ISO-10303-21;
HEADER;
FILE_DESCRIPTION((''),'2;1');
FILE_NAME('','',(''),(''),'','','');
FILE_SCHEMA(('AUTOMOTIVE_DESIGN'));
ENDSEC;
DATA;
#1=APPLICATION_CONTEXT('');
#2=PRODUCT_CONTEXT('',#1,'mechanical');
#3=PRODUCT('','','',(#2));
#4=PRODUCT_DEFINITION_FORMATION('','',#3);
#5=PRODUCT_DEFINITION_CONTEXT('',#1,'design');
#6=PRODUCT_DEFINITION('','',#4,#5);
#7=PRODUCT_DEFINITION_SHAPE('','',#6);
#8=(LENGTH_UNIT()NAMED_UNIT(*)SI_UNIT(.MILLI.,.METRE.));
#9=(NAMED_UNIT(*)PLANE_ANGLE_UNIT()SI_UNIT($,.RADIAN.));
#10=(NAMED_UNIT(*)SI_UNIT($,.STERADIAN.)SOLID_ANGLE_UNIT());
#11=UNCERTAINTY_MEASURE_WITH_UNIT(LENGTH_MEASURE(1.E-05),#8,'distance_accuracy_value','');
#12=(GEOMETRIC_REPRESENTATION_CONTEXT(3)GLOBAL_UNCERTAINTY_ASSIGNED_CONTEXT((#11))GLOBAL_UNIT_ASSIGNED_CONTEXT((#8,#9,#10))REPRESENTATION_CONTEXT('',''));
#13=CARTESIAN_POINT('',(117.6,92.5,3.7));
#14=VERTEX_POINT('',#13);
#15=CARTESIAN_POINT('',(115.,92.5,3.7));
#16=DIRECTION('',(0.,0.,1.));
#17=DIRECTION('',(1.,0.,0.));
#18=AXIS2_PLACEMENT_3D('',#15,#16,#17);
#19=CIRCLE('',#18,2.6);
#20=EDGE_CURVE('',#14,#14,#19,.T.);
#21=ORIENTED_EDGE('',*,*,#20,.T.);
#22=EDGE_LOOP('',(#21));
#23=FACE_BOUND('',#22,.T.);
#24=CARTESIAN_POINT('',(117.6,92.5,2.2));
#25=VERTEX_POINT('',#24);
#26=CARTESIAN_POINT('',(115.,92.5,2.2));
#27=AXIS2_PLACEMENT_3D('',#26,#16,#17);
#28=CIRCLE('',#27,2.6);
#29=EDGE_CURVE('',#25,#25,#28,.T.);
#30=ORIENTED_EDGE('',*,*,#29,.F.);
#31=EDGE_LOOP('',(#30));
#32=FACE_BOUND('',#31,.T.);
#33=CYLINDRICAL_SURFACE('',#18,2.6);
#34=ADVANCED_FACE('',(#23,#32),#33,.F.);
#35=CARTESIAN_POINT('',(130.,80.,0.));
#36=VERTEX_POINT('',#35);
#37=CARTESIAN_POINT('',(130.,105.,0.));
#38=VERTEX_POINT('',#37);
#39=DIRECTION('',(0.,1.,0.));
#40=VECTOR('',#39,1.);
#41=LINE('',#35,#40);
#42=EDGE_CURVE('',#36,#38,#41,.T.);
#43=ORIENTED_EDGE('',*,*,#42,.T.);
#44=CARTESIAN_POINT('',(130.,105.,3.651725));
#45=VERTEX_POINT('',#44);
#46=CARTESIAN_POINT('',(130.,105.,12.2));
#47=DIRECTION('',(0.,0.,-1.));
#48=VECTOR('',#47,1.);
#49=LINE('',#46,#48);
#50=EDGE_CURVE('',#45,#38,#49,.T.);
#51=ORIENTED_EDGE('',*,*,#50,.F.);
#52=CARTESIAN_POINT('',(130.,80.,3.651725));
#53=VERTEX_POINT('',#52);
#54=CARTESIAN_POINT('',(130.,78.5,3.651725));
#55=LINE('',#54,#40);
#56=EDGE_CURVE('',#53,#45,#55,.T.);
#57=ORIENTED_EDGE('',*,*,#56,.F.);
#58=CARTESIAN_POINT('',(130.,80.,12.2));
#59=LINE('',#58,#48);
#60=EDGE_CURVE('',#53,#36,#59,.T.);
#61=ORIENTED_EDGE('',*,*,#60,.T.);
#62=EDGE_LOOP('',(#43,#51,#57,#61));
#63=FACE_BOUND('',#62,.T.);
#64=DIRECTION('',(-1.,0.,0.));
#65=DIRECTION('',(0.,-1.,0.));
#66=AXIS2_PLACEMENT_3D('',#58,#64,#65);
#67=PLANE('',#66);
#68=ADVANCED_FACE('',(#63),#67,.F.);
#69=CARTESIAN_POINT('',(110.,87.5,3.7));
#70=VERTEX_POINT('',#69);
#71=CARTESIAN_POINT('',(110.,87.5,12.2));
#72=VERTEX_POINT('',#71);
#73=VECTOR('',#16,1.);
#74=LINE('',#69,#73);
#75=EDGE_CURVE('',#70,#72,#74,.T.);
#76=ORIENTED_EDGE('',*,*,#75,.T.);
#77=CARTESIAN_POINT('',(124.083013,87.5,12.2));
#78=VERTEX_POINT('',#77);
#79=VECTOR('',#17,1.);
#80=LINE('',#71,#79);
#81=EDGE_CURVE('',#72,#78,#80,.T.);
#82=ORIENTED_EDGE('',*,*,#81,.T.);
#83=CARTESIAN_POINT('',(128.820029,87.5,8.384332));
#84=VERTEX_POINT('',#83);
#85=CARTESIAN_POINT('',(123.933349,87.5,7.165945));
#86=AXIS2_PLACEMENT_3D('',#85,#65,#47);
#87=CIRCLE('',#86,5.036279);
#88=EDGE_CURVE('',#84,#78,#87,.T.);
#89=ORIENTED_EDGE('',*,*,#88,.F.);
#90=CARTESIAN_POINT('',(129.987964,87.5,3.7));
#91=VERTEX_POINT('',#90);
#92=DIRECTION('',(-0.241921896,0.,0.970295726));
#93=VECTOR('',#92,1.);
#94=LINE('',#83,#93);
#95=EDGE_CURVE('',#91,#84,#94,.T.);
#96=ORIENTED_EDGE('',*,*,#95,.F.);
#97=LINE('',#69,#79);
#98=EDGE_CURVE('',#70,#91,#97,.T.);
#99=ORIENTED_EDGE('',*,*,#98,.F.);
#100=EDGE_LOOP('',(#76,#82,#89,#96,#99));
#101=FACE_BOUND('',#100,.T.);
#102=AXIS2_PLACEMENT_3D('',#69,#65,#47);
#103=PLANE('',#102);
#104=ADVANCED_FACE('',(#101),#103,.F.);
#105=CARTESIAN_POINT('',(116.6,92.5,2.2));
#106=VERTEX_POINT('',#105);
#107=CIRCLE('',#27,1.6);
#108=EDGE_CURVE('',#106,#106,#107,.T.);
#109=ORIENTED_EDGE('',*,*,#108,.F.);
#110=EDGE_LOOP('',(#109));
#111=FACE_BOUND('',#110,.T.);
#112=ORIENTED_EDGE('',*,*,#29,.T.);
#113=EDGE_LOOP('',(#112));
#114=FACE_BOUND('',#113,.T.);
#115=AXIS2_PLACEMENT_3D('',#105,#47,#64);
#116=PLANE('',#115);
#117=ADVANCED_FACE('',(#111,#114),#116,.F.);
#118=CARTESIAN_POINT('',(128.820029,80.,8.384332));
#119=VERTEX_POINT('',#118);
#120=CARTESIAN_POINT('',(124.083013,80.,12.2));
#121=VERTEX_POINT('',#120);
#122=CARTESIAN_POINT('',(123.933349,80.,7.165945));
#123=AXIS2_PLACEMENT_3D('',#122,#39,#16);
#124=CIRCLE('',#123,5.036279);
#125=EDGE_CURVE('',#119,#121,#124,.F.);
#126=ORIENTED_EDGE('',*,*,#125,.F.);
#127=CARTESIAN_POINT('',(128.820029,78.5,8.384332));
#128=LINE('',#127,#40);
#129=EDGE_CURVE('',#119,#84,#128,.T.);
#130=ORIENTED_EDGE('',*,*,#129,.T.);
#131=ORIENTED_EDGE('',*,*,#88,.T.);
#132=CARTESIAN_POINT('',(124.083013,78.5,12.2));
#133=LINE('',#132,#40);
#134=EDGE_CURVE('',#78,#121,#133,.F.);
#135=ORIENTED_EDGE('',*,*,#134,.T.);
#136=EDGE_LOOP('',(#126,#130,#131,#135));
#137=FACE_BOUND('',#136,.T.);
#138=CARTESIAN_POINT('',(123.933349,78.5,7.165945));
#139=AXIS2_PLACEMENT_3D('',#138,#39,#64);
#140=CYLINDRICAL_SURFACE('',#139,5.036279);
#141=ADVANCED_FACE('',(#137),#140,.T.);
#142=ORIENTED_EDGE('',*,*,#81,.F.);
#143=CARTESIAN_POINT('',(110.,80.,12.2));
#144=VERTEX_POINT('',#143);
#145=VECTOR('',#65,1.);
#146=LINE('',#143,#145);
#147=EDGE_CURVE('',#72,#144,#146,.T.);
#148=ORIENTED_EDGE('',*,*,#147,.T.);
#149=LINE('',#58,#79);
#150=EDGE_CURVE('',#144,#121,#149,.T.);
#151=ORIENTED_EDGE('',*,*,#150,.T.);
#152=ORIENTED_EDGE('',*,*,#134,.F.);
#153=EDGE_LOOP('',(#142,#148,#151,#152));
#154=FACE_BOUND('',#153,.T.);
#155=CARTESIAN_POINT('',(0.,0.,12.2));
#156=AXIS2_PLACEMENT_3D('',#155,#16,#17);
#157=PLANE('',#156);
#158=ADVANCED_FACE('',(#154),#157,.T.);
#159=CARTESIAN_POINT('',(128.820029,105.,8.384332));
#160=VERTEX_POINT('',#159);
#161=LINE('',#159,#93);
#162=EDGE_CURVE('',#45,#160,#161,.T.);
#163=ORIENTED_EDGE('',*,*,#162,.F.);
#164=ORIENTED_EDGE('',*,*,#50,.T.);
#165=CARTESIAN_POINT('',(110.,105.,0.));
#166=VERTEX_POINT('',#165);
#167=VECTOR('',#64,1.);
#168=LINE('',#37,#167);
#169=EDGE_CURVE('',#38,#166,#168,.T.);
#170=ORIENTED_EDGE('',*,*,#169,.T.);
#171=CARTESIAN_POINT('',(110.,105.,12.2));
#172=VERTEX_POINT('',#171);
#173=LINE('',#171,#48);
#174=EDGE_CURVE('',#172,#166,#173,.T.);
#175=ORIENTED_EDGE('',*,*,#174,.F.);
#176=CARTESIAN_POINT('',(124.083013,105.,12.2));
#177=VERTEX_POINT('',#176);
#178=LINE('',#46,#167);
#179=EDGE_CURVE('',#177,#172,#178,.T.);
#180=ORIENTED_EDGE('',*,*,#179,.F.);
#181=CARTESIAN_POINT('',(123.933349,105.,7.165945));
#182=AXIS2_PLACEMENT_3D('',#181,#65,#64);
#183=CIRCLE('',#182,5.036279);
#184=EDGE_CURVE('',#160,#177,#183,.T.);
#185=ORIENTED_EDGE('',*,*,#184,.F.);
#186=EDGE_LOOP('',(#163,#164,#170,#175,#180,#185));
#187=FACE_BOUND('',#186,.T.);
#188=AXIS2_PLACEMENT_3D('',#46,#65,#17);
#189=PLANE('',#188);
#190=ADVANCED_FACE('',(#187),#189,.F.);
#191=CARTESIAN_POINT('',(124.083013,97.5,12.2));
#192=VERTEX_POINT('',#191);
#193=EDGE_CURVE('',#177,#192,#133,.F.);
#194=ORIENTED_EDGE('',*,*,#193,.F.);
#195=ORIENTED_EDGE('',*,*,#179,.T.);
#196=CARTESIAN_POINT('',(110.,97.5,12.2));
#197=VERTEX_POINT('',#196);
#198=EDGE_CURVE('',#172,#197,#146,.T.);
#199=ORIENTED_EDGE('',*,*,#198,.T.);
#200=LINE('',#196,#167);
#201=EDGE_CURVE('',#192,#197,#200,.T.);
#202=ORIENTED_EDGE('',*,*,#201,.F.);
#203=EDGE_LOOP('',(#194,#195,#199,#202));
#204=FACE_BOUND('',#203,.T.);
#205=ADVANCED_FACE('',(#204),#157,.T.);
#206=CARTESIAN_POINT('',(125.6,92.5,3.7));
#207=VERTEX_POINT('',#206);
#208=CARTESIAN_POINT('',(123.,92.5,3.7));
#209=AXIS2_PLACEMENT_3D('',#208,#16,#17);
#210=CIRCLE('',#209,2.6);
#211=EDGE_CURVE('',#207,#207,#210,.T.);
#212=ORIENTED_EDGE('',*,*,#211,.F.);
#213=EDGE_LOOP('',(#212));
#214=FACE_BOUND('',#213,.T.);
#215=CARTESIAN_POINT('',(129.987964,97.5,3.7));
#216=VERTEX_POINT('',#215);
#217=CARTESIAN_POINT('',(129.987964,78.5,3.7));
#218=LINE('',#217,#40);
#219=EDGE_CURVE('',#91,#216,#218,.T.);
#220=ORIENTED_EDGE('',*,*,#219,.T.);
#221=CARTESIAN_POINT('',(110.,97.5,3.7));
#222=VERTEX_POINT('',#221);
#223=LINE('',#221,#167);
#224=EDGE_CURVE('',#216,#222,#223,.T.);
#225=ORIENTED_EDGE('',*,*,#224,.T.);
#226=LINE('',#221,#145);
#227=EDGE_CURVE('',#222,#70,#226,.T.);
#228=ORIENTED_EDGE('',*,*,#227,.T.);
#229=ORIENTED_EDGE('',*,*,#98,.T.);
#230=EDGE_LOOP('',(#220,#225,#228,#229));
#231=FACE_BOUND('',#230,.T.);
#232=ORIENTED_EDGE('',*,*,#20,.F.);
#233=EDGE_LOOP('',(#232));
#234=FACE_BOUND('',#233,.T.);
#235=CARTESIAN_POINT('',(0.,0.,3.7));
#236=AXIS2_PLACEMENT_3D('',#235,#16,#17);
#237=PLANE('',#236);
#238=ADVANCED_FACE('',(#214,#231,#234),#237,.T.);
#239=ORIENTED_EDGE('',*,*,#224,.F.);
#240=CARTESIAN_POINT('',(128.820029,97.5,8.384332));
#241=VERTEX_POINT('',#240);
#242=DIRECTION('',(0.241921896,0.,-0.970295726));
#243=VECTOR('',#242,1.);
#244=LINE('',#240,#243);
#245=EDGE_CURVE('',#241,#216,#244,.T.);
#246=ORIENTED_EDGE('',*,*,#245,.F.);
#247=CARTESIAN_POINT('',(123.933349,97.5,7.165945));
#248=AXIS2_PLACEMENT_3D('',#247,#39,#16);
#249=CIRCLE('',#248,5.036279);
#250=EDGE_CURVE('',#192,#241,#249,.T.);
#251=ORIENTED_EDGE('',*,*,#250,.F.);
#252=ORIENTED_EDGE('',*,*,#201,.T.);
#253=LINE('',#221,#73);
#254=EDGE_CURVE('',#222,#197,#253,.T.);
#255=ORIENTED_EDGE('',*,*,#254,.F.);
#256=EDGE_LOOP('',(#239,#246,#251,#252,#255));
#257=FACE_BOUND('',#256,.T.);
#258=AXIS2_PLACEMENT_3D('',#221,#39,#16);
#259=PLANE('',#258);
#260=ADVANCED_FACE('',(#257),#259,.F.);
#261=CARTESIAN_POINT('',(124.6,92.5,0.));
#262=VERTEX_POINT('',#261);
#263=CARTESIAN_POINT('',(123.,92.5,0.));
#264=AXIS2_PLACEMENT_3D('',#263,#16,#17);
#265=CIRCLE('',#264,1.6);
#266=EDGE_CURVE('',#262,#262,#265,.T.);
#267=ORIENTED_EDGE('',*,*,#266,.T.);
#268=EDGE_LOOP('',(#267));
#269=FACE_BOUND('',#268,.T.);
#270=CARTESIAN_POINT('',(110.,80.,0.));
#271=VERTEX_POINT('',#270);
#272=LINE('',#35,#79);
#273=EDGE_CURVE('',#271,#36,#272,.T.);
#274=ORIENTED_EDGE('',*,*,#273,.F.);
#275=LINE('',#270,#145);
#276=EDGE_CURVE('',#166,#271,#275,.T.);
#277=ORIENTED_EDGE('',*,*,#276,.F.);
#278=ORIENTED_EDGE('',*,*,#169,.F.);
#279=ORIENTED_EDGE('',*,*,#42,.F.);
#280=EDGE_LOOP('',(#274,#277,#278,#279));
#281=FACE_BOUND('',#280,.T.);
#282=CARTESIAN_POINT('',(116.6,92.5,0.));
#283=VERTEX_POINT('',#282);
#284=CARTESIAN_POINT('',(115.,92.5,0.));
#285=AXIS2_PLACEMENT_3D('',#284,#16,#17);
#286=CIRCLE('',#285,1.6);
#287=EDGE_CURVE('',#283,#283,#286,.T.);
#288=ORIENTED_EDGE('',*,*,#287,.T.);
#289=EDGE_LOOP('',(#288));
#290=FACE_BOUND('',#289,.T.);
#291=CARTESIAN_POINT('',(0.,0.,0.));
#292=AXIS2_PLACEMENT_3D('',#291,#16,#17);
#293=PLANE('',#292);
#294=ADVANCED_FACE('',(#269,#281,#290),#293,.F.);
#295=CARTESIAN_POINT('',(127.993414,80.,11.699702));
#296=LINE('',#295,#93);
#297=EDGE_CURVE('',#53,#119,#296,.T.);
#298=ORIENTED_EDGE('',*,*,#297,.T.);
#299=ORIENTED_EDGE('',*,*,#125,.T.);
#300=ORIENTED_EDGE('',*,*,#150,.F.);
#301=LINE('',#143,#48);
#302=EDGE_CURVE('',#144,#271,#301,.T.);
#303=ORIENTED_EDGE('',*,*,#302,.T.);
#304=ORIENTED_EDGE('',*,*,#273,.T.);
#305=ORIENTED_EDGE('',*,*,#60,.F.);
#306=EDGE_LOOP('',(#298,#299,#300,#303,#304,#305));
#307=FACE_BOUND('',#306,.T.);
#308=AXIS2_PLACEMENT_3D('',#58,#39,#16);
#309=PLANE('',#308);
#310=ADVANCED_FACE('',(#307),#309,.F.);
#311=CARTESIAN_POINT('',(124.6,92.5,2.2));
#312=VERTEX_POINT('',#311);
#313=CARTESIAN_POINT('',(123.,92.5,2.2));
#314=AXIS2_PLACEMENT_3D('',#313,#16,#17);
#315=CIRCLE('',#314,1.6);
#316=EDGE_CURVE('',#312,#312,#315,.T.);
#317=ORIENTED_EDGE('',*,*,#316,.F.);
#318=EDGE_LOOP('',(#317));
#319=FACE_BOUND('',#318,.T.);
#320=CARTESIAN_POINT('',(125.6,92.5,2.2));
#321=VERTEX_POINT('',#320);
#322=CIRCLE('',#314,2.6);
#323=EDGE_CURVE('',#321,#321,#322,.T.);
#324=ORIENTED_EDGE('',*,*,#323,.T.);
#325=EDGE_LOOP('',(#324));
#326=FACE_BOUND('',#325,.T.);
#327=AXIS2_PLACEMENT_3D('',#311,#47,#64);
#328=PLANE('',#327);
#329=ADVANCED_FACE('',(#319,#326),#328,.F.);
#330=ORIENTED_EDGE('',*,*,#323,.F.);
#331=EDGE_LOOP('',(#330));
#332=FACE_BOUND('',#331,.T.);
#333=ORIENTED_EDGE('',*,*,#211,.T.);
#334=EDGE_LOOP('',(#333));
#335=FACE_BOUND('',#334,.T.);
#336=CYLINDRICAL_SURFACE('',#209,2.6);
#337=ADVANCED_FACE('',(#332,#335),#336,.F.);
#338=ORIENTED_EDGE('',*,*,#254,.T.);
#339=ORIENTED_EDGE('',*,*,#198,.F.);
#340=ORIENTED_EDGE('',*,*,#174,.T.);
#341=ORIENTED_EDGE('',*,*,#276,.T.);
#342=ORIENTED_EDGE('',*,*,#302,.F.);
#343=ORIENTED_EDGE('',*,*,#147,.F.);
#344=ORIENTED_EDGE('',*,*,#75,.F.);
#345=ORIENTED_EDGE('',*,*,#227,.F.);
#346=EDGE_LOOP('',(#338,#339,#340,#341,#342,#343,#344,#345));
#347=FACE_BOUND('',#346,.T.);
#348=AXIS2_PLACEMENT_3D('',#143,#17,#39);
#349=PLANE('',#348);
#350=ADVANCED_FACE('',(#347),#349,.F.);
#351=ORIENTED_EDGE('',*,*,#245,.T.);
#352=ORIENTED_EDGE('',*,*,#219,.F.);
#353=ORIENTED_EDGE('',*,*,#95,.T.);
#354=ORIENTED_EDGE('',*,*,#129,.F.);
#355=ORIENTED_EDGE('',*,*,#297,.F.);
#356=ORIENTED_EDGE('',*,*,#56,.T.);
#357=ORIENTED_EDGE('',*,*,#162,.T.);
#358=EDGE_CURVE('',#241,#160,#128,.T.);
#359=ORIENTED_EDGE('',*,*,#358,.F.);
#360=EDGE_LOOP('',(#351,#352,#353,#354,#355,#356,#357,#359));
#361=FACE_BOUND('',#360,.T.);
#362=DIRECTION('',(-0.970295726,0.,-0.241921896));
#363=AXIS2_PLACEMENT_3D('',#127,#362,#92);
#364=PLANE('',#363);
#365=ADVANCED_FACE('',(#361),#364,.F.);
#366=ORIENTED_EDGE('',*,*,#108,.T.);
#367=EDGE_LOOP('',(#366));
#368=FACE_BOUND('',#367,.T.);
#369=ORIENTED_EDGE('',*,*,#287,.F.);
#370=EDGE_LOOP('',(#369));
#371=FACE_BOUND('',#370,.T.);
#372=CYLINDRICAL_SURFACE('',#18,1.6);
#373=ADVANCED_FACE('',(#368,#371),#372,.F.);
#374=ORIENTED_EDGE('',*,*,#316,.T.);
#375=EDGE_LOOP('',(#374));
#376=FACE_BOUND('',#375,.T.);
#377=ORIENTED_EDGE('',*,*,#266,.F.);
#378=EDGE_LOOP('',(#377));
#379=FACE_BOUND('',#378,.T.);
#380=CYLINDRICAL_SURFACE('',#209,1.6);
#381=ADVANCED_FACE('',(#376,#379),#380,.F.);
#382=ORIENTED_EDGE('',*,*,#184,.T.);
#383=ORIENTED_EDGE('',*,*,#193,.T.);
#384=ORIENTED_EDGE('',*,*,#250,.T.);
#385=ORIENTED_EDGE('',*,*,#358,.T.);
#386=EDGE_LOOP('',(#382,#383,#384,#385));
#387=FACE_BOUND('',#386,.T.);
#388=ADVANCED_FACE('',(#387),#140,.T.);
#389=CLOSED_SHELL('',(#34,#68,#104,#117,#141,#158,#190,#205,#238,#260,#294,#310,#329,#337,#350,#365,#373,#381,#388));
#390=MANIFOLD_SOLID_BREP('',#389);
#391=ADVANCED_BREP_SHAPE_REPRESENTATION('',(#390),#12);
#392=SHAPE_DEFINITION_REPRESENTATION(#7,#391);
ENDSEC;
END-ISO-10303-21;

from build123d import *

# Parameters (mm, degrees)
SKETCH_1_W                   = 20
SKETCH_1_H                   = 25
EXTRUDE_1_DEPTH              = 12.2
CUT_EXTRUDE_1_DEPTH          = 26.5
SKETCH_3_W                   = 20
SKETCH_3_H                   = 10
CUT_EXTRUDE_2_DEPTH          = 8.5
HOLE_WIZARD_M3_1_D           = 3.2
HOLE_WIZARD_M3_1_CBORE_D     = 5.2
HOLE_WIZARD_M3_1_CBORE_DEPTH = 1.5


with BuildPart() as part:
    # 草图1 → 凸台-拉伸1 (new body)
    with BuildSketch(Plane.XY):
        with Locations((120, 92.5)):
            Rectangle(SKETCH_1_W, SKETCH_1_H)
    extrude(amount=EXTRUDE_1_DEPTH)

    # 草图2 → 切除-拉伸1 (cut)
    with BuildSketch(Plane(origin=(0, 105, 0), x_dir=(1, 0, 0), z_dir=(0, 1, 0))):
        with BuildLine():
            Line((128.820028656, -8.384331601), (130, -3.651725034))
            Line((130, -3.651725034), (130, -12.2))
            Line((130, -12.2), (124.083012976, -12.2))
            ThreePointArc((124.083012976, -12.2), (127.092624303, -11.088072823), (128.820028656, -8.384331601))
        make_face()
    extrude(amount=-CUT_EXTRUDE_1_DEPTH, mode=Mode.SUBTRACT)

    # 草图3 → 切除-拉伸2 (cut)
    with BuildSketch(Plane.XY.offset(12.2)):
        with Locations((120, 92.5)):
            Rectangle(SKETCH_3_W, SKETCH_3_H)
    extrude(amount=-CUT_EXTRUDE_2_DEPTH, mode=Mode.SUBTRACT)

    # M3 六角头螺栓的柱形沉头孔1 (through all)
    with Locations(Plane.XY.offset(3.7)):
        with Locations((115, 92.5), (123, 92.5)):
            CounterBoreHole(HOLE_WIZARD_M3_1_D / 2, HOLE_WIZARD_M3_1_CBORE_D / 2, HOLE_WIZARD_M3_1_CBORE_DEPTH)


solid = part.part
